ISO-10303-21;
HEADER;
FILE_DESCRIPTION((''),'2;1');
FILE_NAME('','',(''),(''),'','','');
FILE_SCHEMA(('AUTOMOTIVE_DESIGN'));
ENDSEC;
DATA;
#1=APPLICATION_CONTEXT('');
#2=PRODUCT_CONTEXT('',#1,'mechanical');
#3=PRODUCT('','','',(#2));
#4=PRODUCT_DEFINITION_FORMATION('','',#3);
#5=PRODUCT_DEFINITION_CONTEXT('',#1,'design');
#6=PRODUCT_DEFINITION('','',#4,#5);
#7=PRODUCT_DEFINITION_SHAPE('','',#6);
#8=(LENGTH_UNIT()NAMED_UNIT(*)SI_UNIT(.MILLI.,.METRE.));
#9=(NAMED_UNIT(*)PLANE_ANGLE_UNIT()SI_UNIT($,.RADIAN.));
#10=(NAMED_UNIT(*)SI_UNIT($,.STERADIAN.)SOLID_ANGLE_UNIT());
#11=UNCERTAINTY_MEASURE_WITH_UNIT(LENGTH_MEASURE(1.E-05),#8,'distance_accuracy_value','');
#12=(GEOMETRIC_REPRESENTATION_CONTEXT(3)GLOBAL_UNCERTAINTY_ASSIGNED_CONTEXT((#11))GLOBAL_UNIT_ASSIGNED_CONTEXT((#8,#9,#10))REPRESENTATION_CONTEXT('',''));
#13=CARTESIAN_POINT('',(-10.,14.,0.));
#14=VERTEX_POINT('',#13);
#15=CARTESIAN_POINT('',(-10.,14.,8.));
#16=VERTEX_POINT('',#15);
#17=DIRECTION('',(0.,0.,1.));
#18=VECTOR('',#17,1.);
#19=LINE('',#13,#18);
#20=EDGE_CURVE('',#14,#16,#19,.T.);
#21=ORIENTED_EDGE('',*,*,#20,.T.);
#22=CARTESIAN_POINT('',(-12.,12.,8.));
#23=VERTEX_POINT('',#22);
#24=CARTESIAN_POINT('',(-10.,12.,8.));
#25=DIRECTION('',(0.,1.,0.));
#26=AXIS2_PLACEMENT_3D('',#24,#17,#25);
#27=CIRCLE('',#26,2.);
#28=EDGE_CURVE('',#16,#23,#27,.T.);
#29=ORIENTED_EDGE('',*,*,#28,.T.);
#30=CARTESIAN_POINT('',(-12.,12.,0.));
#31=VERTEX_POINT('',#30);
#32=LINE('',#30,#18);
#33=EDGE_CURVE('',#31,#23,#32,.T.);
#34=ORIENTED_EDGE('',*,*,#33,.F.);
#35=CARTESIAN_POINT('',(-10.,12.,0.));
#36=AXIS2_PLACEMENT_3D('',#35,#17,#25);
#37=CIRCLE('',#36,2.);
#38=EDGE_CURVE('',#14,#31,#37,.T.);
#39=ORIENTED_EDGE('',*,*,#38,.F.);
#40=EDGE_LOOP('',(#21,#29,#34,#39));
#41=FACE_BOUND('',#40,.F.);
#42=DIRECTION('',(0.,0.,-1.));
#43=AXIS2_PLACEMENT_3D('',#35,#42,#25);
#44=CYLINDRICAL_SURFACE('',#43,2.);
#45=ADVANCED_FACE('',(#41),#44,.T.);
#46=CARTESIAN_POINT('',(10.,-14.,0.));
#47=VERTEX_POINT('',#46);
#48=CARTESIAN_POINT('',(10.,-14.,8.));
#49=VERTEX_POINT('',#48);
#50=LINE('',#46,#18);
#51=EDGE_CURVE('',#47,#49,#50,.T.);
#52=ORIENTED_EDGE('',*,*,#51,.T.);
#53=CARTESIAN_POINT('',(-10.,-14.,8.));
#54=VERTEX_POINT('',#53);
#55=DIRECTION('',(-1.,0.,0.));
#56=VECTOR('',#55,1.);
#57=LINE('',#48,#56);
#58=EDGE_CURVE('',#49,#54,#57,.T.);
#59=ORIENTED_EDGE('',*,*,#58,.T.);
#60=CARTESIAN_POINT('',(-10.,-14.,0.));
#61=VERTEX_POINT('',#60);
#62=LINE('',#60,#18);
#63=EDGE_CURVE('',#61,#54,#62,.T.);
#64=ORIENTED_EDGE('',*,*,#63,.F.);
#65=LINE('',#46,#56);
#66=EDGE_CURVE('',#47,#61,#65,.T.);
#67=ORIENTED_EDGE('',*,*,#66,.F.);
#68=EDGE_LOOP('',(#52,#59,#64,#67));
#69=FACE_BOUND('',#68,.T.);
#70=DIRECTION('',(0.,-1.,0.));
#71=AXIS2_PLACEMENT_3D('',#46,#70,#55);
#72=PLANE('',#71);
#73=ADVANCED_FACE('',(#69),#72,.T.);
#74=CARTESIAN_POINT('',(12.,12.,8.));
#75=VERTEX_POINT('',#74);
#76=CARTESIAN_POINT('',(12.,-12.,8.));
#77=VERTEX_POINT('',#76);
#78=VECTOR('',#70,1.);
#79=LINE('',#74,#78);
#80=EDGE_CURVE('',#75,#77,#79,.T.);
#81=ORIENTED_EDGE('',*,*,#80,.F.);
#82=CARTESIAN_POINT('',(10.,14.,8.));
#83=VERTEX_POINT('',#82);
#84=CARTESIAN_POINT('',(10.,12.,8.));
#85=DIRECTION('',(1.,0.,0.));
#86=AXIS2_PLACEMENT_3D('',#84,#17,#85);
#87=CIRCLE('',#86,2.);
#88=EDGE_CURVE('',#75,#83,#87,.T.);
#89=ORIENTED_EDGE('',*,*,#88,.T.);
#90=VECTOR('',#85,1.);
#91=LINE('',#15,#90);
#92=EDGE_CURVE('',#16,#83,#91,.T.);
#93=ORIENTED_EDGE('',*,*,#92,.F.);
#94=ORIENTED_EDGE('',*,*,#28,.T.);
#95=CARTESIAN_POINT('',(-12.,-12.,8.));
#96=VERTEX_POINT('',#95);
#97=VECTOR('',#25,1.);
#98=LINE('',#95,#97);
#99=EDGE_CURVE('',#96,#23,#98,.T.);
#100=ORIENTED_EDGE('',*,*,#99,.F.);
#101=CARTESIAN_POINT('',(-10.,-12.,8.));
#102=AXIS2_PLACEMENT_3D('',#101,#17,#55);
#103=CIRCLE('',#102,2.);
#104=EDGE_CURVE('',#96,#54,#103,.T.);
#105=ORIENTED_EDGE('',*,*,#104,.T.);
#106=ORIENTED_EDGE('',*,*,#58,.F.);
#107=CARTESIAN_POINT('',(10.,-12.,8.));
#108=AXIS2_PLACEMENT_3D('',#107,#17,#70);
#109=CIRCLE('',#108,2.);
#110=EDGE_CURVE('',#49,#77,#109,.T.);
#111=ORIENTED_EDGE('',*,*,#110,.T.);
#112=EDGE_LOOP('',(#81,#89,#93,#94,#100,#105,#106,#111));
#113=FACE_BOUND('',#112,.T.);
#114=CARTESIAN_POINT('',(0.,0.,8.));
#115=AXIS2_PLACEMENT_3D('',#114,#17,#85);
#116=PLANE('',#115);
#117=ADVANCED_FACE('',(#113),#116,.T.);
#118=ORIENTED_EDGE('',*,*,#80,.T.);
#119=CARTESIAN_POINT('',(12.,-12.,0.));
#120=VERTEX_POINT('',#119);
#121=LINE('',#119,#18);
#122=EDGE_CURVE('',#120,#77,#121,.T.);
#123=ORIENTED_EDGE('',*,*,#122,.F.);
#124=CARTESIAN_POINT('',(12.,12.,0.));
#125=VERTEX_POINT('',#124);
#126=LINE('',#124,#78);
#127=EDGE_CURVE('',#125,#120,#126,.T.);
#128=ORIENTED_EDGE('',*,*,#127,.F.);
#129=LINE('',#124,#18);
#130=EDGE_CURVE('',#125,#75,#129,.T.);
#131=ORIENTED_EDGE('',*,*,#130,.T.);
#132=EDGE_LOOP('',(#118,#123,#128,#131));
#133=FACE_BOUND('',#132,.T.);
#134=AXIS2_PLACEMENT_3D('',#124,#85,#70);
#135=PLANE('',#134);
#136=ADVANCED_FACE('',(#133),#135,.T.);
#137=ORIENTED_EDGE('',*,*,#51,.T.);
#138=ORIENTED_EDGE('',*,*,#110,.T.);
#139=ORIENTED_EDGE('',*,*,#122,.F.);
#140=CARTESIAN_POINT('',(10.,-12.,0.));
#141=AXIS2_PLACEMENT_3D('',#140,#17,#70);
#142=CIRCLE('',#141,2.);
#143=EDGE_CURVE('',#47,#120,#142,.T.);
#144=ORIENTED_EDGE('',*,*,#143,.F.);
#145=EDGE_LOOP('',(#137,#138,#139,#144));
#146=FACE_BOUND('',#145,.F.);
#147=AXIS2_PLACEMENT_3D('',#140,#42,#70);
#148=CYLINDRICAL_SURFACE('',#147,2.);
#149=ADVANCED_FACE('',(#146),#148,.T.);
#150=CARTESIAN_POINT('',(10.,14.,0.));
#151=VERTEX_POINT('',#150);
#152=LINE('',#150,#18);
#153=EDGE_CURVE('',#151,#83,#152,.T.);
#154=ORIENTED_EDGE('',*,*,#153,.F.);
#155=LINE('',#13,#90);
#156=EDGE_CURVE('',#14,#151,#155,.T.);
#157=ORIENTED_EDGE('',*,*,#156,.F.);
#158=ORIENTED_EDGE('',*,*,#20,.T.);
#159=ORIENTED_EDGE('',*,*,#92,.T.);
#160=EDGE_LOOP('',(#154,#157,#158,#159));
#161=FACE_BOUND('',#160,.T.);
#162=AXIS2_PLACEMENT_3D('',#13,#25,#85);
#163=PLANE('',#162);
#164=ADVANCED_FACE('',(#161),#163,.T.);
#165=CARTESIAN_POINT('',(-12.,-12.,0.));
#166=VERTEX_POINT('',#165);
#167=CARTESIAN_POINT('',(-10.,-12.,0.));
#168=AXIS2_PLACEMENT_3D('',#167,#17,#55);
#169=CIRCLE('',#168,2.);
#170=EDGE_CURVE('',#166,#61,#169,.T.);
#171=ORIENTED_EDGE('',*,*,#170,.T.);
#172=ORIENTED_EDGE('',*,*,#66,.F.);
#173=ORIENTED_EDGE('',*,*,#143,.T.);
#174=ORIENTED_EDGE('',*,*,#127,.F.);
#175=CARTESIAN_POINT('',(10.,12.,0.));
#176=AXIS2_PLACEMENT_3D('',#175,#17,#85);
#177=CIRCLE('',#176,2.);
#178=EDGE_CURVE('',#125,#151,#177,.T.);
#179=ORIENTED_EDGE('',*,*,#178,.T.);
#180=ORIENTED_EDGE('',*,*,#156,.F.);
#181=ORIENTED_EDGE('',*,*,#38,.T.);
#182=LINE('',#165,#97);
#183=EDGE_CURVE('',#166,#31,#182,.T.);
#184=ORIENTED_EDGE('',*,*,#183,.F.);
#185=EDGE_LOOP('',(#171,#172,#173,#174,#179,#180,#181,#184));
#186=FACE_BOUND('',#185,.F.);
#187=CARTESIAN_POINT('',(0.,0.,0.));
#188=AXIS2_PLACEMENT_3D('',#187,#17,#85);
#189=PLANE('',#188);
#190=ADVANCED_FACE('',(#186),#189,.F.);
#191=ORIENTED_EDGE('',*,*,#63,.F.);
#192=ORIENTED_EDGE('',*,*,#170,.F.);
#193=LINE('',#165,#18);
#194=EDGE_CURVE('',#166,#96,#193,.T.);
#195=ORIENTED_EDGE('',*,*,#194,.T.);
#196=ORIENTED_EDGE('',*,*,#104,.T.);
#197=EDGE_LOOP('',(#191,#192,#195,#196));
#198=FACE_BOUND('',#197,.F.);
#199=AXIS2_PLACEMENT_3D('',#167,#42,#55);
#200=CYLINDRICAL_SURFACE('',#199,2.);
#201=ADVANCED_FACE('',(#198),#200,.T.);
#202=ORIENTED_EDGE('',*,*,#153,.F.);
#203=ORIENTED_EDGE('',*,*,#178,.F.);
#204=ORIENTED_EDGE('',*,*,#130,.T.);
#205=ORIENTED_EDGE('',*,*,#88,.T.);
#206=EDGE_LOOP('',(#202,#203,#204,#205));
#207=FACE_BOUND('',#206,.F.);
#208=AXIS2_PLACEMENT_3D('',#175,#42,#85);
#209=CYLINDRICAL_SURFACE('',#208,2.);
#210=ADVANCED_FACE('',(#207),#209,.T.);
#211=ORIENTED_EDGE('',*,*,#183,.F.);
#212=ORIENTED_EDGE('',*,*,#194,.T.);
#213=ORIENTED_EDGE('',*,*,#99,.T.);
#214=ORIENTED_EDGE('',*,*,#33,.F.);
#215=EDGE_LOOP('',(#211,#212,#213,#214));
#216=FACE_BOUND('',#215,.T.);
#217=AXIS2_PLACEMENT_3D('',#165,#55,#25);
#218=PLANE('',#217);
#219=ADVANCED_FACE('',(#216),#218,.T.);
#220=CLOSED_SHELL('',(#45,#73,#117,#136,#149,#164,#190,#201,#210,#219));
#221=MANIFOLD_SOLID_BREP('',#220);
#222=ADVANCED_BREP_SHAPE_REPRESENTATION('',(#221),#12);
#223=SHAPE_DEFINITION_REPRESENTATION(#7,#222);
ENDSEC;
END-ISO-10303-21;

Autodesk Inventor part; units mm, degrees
ref_plane "YZ Plane" through (0, 0, 0) normal (1, 0, 0) x (0, 1, 0)
ref_plane "XZ Plane" through (0, 0, 0) normal (0, 1, 0) x (-1, 0, 0)
ref_plane "XY Plane" through (0, 0, 0) normal (0, 0, 1) x (1, 0, 0)
sketch "Sketch1" plane through (0, 0, 0) normal (0, 0, 1) x (1, 0, 0)
  line L0 (10, -14) -> (-10, -14)
  line L1 (-12, -12) -> (-12, 12)
  line L2 (-10, 14) -> (10, 14)
  line L3 (12, 12) -> (12, -12)
  line L4 (12, -14) -> (-12, 14) construction
  line L5 (-12, -14) -> (12, 14) construction
  arc A0 (-12, -12) -> (-10, -14) centre (-10, -12) ccw
  arc A1 (-10, 14) -> (-12, 12) centre (-10, 12) ccw
  arc A2 (12, 12) -> (10, 14) centre (10, 12) ccw
  arc A3 (10, -14) -> (12, -12) centre (10, -12) ccw
  point P0 (0, 0)
  dimension "d0" = 24
  dimension "d1" = 28
  dimension "d4" = 2
extrude "Extrusion1" add sketch "Sketch1" along normal blind 8
sketch "Sketch2" plane through (0, 0, 8) normal (0, 0, 1) x (1, 0, 0)
  line L0 (10, 14) -> (-10, 14) projected
  line L1 (-12, 12) -> (-12, -12) projected
  line L2 (-10, -14) -> (10, -14) projected
  line L3 (12, -12) -> (12, 12) projected
  line L4 (0, 14) -> (0, -14)
  line L5 (-1.4727, -9.5234) -> (-9, -9.5234)
  line L6 (-9, -9.5234) -> (-9, -11)
  line L7 (-9, -11) -> (-1.4727, -11)
  line L8 (-1.4727, -11) -> (-1.4727, -9.5234)
  line L9 (-12, 0) -> (12, 0)
  line L10 (-12, 12) -> (-12, -12) projected
  line L11 (-1.4727, 9.5234) -> (-9, 9.5234)
  line L12 (-1.4727, 11) -> (-1.4727, 9.5234)
  line L13 (-9, 9.5234) -> (-9, 11)
  line L14 (-9, 11) -> (-1.4727, 11)
  point P0 (12, 14)
  point P1 (-12, 14)
  point P2 (-12, -14)
  point P3 (12, -14)
  point P4 (0, 0)
  point P5 (0, 0)
  point P6 (9, -11)
properties part number "Weight_Sensor_Dummy"
